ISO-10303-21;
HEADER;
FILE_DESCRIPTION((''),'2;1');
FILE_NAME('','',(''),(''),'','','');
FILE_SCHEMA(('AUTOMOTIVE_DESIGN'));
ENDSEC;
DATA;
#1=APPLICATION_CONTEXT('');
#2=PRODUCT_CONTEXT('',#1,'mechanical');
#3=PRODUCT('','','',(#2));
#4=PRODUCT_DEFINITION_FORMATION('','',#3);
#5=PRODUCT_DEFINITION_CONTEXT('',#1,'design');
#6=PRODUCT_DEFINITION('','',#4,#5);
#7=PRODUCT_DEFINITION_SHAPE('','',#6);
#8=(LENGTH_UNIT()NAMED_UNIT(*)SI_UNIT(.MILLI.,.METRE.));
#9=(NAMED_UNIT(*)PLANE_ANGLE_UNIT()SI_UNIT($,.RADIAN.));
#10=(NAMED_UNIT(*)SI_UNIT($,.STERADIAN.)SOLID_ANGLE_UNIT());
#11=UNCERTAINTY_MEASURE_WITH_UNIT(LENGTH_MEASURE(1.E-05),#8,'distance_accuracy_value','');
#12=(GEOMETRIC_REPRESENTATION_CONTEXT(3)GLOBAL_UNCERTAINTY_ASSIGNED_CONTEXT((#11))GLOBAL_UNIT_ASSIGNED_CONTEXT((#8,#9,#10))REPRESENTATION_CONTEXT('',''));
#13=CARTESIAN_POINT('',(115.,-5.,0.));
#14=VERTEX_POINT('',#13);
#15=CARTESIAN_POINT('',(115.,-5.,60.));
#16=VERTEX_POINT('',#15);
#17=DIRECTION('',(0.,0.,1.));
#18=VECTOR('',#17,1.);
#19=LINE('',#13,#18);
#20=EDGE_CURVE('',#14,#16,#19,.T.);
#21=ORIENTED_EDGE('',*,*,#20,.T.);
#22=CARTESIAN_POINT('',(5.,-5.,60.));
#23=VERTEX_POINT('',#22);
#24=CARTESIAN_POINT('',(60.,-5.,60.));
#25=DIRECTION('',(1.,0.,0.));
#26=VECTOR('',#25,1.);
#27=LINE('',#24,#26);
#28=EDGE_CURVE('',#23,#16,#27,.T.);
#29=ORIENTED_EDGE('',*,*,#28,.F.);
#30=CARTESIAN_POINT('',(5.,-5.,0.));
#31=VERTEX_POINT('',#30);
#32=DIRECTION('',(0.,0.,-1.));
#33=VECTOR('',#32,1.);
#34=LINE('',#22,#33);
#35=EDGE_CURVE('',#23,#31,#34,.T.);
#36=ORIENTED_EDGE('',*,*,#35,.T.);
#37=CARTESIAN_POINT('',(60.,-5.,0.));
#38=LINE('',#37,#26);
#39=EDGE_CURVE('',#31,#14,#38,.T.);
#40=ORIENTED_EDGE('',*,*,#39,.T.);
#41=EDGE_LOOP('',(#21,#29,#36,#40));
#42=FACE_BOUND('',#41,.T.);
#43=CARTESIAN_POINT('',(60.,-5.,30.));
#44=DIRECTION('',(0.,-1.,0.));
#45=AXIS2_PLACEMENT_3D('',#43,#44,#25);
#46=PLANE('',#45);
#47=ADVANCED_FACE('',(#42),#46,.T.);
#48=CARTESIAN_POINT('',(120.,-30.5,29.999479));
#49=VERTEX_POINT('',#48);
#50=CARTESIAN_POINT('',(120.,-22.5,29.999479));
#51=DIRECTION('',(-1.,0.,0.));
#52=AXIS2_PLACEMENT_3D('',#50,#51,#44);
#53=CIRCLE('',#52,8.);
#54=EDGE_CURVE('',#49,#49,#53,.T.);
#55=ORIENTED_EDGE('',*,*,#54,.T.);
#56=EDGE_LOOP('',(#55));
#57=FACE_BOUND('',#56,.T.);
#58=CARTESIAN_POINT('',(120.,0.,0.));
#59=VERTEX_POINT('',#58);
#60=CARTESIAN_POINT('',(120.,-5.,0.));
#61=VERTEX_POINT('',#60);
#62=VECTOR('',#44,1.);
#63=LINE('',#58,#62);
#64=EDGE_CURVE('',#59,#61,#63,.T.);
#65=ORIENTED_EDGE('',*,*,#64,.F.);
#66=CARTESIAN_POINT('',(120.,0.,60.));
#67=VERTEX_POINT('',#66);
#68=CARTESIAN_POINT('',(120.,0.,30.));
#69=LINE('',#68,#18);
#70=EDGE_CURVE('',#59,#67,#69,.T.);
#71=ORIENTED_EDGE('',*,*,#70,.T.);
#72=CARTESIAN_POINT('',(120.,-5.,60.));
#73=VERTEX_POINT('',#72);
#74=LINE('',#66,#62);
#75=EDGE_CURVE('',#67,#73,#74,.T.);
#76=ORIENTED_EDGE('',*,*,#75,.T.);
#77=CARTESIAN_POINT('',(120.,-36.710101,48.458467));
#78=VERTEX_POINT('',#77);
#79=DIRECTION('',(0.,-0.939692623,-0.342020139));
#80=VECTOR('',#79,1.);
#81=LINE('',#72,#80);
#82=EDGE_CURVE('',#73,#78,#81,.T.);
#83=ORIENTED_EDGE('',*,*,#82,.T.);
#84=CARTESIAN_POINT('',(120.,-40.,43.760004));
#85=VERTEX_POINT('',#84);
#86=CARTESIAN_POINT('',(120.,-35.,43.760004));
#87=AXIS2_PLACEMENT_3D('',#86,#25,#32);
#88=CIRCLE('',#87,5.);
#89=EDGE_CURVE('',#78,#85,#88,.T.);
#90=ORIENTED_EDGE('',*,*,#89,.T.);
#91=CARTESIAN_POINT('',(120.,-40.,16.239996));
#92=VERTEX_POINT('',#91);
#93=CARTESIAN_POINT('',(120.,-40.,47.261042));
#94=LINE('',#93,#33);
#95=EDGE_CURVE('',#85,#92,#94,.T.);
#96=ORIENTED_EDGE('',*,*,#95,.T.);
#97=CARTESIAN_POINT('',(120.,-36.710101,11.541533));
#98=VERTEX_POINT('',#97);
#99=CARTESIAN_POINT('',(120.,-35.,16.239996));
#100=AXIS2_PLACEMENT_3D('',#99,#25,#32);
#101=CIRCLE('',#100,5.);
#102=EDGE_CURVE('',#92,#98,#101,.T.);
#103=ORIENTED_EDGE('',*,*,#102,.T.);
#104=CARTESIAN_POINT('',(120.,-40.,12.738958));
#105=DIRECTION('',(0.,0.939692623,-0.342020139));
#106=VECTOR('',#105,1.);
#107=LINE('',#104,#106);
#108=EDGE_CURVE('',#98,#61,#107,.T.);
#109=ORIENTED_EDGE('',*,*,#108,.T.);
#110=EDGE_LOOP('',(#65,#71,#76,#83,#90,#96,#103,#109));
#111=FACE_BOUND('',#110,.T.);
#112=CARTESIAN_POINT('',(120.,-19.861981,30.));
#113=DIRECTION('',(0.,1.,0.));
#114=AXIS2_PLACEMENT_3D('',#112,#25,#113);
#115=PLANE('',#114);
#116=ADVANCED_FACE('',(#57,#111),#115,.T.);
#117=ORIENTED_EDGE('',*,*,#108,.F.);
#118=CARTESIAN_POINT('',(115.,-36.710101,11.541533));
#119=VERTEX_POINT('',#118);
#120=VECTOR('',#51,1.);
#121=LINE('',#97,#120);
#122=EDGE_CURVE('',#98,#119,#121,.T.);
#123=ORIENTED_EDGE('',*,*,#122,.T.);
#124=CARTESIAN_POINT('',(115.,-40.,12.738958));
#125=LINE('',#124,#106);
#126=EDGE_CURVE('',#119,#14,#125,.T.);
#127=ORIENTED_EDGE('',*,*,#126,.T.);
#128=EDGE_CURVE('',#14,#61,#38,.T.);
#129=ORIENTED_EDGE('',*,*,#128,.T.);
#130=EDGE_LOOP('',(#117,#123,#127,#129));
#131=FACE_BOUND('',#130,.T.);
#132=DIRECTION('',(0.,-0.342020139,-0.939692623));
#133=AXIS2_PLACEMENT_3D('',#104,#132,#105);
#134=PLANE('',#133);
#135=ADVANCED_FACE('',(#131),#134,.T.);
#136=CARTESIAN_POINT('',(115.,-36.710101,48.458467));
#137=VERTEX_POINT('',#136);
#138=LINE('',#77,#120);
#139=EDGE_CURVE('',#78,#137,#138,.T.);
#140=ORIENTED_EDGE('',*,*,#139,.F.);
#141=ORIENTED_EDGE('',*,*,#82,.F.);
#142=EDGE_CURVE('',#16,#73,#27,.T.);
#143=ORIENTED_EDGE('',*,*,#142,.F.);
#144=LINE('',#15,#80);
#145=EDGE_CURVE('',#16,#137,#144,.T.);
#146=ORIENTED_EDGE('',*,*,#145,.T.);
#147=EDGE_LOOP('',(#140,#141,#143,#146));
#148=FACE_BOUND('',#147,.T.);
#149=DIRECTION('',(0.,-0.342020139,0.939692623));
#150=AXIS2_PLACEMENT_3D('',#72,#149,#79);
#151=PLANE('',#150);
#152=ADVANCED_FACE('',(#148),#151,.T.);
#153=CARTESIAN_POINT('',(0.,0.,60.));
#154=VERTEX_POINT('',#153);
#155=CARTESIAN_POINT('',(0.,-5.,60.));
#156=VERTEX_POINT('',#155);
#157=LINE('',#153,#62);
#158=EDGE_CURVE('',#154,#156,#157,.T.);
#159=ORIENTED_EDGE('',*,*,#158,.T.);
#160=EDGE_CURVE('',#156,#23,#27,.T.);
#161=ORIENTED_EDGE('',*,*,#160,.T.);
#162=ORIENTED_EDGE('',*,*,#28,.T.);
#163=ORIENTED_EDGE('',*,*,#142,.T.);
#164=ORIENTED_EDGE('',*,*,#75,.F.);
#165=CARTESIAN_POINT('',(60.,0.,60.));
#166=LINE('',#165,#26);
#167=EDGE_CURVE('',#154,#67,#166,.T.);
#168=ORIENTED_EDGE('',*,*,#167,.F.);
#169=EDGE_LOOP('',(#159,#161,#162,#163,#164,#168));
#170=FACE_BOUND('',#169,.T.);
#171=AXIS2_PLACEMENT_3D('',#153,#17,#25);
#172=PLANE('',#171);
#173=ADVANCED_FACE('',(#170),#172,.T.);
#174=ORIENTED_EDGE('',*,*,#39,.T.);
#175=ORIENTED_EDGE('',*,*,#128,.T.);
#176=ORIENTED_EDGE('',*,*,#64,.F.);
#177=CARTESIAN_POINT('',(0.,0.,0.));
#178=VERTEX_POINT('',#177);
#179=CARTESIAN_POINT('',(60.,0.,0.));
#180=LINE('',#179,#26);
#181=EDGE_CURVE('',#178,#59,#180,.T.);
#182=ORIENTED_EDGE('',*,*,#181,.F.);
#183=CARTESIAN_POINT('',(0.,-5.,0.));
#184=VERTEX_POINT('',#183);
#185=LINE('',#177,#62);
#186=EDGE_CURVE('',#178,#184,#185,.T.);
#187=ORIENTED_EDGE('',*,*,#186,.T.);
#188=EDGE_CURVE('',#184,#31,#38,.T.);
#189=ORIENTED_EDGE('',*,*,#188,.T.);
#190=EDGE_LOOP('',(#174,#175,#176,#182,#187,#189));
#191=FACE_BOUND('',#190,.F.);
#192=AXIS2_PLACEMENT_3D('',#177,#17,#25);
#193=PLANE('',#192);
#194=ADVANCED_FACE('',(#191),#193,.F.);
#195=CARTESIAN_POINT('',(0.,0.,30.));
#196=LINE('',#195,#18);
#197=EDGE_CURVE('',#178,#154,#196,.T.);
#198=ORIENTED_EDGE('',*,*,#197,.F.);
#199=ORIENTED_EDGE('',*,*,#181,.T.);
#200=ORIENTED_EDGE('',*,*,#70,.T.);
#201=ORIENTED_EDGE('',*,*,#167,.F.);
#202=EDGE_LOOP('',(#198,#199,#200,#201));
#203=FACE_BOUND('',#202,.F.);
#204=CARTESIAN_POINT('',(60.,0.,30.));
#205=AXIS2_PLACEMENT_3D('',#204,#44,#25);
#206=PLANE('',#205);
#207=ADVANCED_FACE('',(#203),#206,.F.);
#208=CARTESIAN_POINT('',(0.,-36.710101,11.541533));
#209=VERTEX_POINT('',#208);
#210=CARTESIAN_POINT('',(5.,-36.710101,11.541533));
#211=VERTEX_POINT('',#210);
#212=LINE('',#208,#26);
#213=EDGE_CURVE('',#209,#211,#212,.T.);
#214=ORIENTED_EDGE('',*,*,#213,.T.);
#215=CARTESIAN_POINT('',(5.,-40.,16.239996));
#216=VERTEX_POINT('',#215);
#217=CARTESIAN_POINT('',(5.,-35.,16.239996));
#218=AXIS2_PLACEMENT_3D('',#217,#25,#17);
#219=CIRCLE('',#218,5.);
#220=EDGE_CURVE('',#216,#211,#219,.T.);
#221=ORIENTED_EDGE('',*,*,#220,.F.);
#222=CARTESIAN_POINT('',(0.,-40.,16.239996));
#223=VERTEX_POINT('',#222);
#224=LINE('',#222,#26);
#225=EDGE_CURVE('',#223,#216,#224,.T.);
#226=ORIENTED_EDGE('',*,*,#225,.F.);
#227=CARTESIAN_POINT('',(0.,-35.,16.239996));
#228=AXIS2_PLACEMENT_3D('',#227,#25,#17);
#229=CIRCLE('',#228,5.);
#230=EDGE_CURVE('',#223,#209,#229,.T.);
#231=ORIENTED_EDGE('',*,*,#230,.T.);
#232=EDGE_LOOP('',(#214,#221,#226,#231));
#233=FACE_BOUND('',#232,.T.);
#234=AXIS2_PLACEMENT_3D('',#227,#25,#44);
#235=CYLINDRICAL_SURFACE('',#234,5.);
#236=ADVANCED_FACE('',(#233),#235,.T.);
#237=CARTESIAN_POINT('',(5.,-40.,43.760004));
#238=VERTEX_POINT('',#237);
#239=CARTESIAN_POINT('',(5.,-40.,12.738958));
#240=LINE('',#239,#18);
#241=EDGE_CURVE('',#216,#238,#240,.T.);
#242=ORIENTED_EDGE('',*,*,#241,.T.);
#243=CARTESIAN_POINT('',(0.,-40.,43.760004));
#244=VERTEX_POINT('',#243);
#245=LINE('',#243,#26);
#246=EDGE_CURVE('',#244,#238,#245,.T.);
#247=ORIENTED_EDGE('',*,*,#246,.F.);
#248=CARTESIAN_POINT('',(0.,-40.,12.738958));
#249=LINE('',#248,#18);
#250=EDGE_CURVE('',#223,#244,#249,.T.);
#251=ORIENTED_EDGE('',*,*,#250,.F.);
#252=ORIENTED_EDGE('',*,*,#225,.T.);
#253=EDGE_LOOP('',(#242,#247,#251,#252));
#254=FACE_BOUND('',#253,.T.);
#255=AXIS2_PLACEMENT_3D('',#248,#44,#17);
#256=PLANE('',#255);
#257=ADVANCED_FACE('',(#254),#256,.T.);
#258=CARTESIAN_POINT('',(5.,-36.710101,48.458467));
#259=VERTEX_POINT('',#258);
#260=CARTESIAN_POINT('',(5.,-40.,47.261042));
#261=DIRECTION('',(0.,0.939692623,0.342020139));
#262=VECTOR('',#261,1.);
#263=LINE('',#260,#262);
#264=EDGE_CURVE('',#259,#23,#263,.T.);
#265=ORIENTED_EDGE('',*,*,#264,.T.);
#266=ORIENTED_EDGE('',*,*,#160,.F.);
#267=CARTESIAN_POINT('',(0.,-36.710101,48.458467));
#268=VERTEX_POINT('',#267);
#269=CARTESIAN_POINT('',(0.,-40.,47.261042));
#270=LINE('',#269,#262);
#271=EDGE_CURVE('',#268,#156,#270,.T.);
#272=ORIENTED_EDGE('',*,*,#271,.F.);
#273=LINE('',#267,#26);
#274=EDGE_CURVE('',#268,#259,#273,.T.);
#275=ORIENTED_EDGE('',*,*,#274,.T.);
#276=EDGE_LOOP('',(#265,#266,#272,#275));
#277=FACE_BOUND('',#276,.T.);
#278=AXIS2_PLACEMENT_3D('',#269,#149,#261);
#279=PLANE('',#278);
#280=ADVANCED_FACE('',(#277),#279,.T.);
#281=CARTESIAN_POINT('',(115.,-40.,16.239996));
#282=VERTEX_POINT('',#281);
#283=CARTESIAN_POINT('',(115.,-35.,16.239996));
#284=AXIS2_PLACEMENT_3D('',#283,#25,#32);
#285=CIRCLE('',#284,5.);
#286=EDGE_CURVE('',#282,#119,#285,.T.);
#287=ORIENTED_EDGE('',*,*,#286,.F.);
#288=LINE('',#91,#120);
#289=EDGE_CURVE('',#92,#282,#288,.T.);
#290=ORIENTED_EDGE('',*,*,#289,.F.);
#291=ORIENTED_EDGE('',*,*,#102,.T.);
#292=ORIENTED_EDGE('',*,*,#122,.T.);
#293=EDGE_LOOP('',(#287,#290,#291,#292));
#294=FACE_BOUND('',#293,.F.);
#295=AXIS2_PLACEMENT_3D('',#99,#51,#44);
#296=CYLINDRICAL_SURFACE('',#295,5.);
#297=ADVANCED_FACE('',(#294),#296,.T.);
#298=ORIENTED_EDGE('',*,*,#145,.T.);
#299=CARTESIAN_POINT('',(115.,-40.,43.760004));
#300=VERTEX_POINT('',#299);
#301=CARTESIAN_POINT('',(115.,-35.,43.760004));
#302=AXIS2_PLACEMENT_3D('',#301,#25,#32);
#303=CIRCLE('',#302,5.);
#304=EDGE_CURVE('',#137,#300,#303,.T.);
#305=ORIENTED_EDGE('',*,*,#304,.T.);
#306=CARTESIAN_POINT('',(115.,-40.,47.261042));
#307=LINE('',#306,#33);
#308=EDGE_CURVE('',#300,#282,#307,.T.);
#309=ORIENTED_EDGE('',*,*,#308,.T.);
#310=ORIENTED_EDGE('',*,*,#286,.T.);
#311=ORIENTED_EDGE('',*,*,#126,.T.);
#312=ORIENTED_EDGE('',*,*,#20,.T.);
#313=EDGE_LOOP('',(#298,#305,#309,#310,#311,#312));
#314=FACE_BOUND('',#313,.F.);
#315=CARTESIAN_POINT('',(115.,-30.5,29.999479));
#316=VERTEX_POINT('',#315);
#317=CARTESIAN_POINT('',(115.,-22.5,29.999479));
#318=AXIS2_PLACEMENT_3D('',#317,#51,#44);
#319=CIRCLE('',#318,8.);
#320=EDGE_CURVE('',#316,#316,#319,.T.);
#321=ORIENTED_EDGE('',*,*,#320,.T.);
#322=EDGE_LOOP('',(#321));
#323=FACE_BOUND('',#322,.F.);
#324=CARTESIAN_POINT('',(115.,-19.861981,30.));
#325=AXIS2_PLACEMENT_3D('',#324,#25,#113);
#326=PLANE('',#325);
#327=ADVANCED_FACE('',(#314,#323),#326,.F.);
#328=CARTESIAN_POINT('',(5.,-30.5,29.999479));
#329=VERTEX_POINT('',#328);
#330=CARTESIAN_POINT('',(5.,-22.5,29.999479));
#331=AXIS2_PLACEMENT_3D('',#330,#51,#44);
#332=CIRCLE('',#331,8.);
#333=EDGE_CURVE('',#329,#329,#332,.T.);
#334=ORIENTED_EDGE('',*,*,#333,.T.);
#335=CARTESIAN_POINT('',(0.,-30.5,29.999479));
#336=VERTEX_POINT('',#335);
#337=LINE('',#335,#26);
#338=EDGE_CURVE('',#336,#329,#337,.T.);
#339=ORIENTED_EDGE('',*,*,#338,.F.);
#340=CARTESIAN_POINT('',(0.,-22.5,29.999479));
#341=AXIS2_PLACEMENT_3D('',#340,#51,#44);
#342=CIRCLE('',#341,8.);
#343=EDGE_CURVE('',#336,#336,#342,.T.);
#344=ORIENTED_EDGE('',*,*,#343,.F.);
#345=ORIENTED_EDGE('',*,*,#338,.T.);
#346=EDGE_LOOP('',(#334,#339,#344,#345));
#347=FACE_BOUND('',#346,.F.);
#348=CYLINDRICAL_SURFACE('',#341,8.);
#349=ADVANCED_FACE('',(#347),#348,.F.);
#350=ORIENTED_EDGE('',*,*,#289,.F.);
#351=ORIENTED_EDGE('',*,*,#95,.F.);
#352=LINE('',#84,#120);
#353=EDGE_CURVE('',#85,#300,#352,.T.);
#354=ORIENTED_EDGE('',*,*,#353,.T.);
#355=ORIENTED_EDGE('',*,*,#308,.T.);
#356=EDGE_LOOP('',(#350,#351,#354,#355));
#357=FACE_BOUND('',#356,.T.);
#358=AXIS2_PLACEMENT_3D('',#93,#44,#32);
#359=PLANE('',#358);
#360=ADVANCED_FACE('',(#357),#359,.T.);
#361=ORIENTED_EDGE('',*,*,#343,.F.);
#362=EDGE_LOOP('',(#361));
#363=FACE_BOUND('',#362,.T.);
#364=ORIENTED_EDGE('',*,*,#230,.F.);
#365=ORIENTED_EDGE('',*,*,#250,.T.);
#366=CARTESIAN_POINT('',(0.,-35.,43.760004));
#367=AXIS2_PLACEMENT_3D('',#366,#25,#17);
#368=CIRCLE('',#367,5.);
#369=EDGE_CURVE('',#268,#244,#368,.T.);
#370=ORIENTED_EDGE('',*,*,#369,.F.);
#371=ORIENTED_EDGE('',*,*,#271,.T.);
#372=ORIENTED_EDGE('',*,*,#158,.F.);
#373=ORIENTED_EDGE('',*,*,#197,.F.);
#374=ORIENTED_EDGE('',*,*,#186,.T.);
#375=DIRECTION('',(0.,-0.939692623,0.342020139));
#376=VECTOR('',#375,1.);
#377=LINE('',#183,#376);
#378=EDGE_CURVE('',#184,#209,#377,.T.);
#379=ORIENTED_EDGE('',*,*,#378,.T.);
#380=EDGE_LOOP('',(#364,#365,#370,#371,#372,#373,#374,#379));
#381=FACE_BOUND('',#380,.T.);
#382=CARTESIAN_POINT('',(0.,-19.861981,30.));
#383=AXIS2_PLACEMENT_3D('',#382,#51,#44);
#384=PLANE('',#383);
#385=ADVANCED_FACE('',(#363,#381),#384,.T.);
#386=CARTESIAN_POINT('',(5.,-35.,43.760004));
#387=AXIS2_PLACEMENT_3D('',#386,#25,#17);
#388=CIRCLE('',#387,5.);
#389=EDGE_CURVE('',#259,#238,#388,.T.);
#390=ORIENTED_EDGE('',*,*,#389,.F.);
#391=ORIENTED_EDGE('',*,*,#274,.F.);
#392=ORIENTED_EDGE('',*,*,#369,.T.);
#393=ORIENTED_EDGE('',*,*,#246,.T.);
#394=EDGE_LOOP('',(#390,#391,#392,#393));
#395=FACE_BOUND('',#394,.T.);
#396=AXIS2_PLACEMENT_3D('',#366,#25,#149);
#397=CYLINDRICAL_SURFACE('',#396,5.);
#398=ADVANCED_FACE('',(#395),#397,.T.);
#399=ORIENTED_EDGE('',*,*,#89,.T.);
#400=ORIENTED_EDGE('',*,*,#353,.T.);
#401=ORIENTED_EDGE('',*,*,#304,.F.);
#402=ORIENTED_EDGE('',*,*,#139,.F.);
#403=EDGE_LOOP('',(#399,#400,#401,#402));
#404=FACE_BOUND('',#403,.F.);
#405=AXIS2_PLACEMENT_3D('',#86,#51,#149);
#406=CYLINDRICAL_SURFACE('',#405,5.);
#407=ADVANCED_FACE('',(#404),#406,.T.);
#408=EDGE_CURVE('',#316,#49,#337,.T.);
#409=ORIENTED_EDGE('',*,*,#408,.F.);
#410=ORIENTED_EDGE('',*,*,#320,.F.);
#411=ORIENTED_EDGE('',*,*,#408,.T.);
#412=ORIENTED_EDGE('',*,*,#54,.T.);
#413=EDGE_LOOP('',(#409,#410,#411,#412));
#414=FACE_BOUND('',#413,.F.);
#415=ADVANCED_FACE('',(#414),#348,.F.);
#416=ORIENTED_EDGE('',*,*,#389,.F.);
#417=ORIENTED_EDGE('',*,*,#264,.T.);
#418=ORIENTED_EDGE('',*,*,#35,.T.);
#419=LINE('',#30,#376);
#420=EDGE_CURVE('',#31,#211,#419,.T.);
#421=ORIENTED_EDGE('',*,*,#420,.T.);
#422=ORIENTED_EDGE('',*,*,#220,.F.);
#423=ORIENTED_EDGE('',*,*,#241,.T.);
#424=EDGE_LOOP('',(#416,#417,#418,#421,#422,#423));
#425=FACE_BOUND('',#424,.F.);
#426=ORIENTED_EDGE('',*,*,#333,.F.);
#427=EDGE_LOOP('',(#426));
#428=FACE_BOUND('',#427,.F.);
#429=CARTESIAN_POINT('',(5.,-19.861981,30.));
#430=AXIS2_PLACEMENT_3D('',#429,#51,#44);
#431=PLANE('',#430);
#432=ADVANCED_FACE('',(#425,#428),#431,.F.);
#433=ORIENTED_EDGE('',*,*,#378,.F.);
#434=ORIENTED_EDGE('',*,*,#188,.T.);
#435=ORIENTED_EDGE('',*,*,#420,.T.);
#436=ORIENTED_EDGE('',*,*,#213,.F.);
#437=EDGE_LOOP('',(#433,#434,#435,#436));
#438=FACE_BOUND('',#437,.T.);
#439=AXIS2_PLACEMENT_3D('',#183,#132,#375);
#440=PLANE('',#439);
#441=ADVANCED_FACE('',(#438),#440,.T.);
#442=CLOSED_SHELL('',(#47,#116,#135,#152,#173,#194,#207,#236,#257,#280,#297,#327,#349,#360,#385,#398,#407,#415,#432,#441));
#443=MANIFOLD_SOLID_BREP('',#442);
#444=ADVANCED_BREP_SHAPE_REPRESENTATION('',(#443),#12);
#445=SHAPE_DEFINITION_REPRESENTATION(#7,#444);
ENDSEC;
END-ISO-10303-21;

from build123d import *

# Parameters (mm, degrees)
F0_W     = 120
F0_H     = 60
F1_DEPTH = 5
F3_DEPTH = 5
F6_DEPTH = 5
F4_R     = 8
F7_DEPTH = 146
F8_R     = 5


with BuildPart() as f1:
    # F0 (on Front) → F1 (new body)
    with BuildSketch(Plane.XZ):
        with Locations((60, 30)):
            Rectangle(F0_W, F0_H)
    extrude(amount=F1_DEPTH)

    # F2 (on face) → F3 (join)
    with BuildSketch(Plane(origin=(0, 0, 0), x_dir=(0, -1, 0), z_dir=(-1, 0, 0))):
        Polygon((40, 47.261042), (5, 60), (5, 0), (40, 12.738958), align=None)
    extrude(amount=-F3_DEPTH)

    # F5 (on face) → F6 (join)
    with BuildSketch(Plane.YZ.offset(120)):
        Polygon((-5, 0), (-5, 60), (-40, 47.261042), (-40, 12.738958), align=None)
    extrude(amount=-F6_DEPTH)

    # F4 (on face) → F7 (cut)
    with BuildSketch(Plane(origin=(0, 0, 0), x_dir=(0, -1, 0), z_dir=(-1, 0, 0))):
        with Locations((22.5, 29.999479)):
            Circle(F4_R)
    extrude(amount=-F7_DEPTH, mode=Mode.SUBTRACT)

    # F8
    f8_edges = [f1.edges().sort_by_distance(p)[0] for p in [
        (2.5, -40, 47.261042),
        (2.5, -40, 12.738958),
        (117.5, -40, 47.261042),
        (117.5, -40, 12.738958),
    ]]
    fillet(f8_edges, radius=F8_R)


solid = f1.part
